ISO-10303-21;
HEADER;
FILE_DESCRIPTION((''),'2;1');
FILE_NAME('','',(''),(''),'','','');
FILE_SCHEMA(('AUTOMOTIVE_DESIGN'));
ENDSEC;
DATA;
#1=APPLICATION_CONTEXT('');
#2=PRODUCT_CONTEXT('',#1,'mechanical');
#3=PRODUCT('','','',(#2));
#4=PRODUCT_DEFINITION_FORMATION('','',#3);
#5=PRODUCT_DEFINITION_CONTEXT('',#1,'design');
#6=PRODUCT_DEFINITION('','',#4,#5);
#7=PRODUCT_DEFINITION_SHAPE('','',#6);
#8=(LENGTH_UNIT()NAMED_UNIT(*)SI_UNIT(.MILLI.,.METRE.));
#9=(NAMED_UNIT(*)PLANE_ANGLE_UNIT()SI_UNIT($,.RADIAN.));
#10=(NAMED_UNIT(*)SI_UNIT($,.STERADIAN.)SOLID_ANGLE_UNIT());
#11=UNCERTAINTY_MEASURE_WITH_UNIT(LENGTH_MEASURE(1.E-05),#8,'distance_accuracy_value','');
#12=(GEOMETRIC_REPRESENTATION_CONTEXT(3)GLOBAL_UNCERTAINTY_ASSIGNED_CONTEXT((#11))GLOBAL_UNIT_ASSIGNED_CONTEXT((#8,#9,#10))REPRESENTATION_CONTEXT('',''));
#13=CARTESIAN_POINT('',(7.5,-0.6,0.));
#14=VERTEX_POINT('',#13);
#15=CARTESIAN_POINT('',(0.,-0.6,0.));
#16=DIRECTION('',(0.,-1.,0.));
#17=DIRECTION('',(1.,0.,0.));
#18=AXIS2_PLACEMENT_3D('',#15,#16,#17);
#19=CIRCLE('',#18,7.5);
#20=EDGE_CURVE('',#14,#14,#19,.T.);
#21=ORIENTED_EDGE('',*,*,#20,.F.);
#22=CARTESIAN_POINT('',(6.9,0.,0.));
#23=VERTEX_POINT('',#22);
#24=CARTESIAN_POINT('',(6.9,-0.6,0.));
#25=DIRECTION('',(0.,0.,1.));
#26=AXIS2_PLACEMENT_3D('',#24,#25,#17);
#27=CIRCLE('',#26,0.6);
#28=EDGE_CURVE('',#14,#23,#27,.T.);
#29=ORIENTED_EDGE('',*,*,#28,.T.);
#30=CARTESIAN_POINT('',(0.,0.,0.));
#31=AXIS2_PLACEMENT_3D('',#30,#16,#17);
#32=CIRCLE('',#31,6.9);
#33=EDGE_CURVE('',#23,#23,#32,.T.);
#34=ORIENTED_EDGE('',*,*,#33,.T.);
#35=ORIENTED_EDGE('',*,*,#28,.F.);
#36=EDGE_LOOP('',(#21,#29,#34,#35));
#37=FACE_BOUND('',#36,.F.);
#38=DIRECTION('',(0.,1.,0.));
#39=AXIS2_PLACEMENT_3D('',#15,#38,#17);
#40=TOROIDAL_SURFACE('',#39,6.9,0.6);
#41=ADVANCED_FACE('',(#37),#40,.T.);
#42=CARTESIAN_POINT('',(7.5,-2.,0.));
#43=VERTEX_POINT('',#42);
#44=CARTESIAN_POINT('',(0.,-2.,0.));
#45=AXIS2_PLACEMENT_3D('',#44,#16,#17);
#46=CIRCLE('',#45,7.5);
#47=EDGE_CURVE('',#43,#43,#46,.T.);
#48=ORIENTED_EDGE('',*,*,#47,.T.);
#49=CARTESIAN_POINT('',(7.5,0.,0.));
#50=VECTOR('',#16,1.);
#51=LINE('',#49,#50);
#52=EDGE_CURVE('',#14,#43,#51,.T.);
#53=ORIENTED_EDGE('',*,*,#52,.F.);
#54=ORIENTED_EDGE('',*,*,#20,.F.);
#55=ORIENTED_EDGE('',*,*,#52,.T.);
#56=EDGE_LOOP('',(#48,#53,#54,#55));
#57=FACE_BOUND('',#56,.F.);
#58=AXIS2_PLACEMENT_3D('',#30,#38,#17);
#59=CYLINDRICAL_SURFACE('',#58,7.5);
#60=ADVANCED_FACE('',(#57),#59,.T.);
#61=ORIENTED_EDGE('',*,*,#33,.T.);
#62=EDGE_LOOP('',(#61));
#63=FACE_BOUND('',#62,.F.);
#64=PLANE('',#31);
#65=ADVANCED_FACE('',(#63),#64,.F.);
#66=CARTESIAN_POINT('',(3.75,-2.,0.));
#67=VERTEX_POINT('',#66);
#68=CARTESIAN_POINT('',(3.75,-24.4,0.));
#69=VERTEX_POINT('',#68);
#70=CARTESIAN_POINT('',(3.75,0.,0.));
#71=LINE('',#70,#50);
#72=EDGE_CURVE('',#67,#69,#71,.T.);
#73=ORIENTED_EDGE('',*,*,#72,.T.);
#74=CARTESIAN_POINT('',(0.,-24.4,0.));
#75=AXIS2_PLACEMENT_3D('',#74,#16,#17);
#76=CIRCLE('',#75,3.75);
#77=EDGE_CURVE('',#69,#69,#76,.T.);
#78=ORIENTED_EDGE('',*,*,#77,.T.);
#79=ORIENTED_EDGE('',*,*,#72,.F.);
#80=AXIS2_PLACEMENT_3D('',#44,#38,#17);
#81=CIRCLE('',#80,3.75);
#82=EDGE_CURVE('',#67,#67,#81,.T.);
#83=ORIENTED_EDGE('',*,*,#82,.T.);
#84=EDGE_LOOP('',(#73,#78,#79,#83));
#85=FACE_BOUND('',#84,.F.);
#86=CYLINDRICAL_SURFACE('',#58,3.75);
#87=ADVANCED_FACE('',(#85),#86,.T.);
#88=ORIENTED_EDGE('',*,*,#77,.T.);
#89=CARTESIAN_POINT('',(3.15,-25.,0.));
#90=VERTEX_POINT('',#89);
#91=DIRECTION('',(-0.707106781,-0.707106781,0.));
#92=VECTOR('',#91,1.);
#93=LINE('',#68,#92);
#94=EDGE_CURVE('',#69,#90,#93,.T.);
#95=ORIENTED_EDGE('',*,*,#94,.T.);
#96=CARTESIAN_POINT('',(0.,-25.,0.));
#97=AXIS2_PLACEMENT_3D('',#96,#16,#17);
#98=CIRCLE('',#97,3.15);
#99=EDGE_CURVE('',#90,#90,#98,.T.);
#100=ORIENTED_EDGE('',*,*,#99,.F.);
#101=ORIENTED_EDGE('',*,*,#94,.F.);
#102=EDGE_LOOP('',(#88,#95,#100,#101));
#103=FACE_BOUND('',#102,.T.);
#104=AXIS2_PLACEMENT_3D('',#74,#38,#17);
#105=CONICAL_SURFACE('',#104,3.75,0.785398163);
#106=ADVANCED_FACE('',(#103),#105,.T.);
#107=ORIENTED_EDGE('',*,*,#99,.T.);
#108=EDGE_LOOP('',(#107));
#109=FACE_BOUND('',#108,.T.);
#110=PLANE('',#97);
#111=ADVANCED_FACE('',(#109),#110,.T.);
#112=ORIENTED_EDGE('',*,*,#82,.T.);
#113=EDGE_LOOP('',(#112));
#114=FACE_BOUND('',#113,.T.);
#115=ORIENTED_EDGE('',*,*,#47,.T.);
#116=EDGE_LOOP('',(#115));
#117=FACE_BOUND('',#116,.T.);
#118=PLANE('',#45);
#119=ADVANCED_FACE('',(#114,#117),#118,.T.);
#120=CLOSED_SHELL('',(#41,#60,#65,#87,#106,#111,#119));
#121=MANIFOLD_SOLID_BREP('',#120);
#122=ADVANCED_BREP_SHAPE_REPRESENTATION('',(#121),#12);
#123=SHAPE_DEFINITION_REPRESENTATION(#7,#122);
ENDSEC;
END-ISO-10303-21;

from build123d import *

# Parameters (mm, degrees)
F0_R     = 3.75
F1_DEPTH = 25
F2_R     = 7.5
F3_DEPTH = 2
F4_R     = 0.6
F5_SIZE  = 0.6


with BuildPart() as f1:
    # F0 (on Front) → F1 (new body)
    with BuildSketch(Plane.XZ):
        Circle(F0_R)
    extrude(amount=F1_DEPTH)

    # F2 (on Front) → F3 (join)
    with BuildSketch(Plane.XZ):
        Circle(F2_R)
    extrude(amount=F3_DEPTH)

    # F4
    f4_edges = [f1.edges().sort_by_distance(p)[0] for p in [
        (-7.5, 0, 0),
    ]]
    fillet(f4_edges, radius=F4_R)

    # F5
    f5_edges = [f1.edges().sort_by_distance(p)[0] for p in [
        (-3.75, -25, 0),
    ]]
    chamfer(f5_edges, length=F5_SIZE)


solid = f1.part
